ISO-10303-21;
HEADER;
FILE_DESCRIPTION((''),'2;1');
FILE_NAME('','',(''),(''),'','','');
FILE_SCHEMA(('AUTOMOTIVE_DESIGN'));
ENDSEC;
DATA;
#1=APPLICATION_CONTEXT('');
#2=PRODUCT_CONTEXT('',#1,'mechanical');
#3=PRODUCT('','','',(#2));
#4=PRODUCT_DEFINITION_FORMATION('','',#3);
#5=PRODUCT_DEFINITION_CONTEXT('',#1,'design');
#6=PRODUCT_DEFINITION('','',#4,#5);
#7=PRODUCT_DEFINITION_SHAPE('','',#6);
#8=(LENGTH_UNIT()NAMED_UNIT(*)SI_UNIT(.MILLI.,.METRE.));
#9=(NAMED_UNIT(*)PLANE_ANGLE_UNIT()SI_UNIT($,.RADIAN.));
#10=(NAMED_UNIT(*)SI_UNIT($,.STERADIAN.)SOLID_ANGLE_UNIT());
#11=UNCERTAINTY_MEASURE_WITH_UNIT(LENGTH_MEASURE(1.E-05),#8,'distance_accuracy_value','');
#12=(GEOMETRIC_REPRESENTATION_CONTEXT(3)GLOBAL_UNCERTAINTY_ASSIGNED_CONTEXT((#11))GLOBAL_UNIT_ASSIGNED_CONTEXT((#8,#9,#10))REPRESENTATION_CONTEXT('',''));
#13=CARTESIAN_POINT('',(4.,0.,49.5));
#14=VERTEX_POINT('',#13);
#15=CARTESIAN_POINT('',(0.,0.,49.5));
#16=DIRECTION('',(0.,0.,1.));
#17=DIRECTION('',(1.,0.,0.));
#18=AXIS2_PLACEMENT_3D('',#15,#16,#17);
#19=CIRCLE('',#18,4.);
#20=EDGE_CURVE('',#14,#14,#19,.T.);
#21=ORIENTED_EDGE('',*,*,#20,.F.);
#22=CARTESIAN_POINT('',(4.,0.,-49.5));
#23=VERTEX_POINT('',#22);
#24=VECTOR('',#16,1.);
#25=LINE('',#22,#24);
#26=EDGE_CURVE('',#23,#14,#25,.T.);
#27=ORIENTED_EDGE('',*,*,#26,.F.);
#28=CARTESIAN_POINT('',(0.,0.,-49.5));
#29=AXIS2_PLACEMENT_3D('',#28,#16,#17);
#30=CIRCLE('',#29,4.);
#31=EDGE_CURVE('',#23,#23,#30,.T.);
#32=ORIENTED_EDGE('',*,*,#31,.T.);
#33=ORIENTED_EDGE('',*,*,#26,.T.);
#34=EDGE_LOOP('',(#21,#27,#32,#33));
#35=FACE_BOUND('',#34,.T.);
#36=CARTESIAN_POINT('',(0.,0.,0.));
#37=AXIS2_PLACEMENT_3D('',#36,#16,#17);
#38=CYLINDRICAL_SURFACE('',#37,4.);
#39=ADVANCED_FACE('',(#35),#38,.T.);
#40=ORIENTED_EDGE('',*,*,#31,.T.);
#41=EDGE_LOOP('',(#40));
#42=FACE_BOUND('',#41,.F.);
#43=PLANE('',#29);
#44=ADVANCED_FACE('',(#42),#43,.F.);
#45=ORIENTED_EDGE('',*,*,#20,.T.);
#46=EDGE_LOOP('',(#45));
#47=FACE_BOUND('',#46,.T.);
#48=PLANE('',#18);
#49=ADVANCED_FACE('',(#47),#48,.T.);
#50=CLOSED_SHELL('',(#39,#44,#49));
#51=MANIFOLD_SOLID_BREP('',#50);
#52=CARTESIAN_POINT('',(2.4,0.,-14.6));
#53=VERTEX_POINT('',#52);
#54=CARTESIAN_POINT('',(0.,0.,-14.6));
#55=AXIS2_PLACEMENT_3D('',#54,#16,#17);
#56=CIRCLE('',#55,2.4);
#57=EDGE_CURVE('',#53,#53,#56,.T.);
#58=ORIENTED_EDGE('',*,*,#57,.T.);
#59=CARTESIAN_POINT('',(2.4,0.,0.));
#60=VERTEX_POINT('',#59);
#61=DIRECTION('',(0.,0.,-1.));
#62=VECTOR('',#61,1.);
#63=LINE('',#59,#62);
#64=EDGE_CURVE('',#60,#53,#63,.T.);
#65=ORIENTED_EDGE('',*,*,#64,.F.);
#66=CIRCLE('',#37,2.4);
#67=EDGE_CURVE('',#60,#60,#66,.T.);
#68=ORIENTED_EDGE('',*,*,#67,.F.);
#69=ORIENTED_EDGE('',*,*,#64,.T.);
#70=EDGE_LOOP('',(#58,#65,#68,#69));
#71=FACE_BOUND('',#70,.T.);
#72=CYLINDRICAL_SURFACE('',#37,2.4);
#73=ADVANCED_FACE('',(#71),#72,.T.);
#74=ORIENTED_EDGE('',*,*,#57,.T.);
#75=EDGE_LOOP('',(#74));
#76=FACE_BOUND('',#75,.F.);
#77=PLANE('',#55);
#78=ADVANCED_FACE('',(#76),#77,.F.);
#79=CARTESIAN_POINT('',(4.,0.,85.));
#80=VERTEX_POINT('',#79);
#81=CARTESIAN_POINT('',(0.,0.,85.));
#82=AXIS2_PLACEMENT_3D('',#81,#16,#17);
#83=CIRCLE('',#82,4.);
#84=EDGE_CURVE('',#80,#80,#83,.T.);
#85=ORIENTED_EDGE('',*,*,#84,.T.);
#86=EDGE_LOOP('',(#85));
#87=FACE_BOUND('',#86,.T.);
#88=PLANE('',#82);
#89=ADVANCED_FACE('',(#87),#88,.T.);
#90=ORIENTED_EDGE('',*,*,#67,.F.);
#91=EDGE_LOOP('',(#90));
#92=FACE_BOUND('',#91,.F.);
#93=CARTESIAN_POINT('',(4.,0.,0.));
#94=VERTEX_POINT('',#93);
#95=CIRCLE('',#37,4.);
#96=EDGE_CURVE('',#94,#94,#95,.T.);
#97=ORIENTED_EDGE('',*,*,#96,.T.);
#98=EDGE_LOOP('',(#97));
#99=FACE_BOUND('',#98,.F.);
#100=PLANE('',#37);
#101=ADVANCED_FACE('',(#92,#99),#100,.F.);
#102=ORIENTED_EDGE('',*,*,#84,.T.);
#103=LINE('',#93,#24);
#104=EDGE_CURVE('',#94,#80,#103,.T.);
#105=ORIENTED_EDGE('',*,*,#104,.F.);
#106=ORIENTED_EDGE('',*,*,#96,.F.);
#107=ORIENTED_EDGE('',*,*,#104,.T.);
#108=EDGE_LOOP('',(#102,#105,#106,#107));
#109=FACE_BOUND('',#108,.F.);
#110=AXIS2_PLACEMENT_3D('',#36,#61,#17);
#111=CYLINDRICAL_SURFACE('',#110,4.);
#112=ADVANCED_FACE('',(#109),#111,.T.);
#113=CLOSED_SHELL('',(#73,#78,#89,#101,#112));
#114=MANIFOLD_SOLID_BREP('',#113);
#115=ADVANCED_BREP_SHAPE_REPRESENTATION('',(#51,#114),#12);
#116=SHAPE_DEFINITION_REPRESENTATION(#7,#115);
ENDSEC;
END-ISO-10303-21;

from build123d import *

# Parameters (mm, degrees)
F0_R     = 4
F0_R_2   = 2.4
F1_DEPTH = 85
F2_DEPTH = 14.6
F3_DEPTH = 49.5


with BuildPart() as f1:
    # F0 (on Top) → F1 (new body)
    with BuildSketch(Plane.XY):
        Circle(F0_R)
        Circle(F0_R_2, mode=Mode.SUBTRACT)
        Circle(F0_R_2)
    extrude(amount=F1_DEPTH)

    # F0 (on Top) → F2 (join)
    with BuildSketch(Plane.XY):
        Circle(F0_R_2)
    extrude(amount=-F2_DEPTH)


with BuildPart() as f3:
    # F0 (on Top) → F3 (new body, symmetric)
    with BuildSketch(Plane.XY):
        Circle(F0_R)
        Circle(F0_R_2, mode=Mode.SUBTRACT)
        Circle(F0_R_2)
    extrude(amount=F3_DEPTH, both=True)


solid = Compound([f1.part, f3.part])
